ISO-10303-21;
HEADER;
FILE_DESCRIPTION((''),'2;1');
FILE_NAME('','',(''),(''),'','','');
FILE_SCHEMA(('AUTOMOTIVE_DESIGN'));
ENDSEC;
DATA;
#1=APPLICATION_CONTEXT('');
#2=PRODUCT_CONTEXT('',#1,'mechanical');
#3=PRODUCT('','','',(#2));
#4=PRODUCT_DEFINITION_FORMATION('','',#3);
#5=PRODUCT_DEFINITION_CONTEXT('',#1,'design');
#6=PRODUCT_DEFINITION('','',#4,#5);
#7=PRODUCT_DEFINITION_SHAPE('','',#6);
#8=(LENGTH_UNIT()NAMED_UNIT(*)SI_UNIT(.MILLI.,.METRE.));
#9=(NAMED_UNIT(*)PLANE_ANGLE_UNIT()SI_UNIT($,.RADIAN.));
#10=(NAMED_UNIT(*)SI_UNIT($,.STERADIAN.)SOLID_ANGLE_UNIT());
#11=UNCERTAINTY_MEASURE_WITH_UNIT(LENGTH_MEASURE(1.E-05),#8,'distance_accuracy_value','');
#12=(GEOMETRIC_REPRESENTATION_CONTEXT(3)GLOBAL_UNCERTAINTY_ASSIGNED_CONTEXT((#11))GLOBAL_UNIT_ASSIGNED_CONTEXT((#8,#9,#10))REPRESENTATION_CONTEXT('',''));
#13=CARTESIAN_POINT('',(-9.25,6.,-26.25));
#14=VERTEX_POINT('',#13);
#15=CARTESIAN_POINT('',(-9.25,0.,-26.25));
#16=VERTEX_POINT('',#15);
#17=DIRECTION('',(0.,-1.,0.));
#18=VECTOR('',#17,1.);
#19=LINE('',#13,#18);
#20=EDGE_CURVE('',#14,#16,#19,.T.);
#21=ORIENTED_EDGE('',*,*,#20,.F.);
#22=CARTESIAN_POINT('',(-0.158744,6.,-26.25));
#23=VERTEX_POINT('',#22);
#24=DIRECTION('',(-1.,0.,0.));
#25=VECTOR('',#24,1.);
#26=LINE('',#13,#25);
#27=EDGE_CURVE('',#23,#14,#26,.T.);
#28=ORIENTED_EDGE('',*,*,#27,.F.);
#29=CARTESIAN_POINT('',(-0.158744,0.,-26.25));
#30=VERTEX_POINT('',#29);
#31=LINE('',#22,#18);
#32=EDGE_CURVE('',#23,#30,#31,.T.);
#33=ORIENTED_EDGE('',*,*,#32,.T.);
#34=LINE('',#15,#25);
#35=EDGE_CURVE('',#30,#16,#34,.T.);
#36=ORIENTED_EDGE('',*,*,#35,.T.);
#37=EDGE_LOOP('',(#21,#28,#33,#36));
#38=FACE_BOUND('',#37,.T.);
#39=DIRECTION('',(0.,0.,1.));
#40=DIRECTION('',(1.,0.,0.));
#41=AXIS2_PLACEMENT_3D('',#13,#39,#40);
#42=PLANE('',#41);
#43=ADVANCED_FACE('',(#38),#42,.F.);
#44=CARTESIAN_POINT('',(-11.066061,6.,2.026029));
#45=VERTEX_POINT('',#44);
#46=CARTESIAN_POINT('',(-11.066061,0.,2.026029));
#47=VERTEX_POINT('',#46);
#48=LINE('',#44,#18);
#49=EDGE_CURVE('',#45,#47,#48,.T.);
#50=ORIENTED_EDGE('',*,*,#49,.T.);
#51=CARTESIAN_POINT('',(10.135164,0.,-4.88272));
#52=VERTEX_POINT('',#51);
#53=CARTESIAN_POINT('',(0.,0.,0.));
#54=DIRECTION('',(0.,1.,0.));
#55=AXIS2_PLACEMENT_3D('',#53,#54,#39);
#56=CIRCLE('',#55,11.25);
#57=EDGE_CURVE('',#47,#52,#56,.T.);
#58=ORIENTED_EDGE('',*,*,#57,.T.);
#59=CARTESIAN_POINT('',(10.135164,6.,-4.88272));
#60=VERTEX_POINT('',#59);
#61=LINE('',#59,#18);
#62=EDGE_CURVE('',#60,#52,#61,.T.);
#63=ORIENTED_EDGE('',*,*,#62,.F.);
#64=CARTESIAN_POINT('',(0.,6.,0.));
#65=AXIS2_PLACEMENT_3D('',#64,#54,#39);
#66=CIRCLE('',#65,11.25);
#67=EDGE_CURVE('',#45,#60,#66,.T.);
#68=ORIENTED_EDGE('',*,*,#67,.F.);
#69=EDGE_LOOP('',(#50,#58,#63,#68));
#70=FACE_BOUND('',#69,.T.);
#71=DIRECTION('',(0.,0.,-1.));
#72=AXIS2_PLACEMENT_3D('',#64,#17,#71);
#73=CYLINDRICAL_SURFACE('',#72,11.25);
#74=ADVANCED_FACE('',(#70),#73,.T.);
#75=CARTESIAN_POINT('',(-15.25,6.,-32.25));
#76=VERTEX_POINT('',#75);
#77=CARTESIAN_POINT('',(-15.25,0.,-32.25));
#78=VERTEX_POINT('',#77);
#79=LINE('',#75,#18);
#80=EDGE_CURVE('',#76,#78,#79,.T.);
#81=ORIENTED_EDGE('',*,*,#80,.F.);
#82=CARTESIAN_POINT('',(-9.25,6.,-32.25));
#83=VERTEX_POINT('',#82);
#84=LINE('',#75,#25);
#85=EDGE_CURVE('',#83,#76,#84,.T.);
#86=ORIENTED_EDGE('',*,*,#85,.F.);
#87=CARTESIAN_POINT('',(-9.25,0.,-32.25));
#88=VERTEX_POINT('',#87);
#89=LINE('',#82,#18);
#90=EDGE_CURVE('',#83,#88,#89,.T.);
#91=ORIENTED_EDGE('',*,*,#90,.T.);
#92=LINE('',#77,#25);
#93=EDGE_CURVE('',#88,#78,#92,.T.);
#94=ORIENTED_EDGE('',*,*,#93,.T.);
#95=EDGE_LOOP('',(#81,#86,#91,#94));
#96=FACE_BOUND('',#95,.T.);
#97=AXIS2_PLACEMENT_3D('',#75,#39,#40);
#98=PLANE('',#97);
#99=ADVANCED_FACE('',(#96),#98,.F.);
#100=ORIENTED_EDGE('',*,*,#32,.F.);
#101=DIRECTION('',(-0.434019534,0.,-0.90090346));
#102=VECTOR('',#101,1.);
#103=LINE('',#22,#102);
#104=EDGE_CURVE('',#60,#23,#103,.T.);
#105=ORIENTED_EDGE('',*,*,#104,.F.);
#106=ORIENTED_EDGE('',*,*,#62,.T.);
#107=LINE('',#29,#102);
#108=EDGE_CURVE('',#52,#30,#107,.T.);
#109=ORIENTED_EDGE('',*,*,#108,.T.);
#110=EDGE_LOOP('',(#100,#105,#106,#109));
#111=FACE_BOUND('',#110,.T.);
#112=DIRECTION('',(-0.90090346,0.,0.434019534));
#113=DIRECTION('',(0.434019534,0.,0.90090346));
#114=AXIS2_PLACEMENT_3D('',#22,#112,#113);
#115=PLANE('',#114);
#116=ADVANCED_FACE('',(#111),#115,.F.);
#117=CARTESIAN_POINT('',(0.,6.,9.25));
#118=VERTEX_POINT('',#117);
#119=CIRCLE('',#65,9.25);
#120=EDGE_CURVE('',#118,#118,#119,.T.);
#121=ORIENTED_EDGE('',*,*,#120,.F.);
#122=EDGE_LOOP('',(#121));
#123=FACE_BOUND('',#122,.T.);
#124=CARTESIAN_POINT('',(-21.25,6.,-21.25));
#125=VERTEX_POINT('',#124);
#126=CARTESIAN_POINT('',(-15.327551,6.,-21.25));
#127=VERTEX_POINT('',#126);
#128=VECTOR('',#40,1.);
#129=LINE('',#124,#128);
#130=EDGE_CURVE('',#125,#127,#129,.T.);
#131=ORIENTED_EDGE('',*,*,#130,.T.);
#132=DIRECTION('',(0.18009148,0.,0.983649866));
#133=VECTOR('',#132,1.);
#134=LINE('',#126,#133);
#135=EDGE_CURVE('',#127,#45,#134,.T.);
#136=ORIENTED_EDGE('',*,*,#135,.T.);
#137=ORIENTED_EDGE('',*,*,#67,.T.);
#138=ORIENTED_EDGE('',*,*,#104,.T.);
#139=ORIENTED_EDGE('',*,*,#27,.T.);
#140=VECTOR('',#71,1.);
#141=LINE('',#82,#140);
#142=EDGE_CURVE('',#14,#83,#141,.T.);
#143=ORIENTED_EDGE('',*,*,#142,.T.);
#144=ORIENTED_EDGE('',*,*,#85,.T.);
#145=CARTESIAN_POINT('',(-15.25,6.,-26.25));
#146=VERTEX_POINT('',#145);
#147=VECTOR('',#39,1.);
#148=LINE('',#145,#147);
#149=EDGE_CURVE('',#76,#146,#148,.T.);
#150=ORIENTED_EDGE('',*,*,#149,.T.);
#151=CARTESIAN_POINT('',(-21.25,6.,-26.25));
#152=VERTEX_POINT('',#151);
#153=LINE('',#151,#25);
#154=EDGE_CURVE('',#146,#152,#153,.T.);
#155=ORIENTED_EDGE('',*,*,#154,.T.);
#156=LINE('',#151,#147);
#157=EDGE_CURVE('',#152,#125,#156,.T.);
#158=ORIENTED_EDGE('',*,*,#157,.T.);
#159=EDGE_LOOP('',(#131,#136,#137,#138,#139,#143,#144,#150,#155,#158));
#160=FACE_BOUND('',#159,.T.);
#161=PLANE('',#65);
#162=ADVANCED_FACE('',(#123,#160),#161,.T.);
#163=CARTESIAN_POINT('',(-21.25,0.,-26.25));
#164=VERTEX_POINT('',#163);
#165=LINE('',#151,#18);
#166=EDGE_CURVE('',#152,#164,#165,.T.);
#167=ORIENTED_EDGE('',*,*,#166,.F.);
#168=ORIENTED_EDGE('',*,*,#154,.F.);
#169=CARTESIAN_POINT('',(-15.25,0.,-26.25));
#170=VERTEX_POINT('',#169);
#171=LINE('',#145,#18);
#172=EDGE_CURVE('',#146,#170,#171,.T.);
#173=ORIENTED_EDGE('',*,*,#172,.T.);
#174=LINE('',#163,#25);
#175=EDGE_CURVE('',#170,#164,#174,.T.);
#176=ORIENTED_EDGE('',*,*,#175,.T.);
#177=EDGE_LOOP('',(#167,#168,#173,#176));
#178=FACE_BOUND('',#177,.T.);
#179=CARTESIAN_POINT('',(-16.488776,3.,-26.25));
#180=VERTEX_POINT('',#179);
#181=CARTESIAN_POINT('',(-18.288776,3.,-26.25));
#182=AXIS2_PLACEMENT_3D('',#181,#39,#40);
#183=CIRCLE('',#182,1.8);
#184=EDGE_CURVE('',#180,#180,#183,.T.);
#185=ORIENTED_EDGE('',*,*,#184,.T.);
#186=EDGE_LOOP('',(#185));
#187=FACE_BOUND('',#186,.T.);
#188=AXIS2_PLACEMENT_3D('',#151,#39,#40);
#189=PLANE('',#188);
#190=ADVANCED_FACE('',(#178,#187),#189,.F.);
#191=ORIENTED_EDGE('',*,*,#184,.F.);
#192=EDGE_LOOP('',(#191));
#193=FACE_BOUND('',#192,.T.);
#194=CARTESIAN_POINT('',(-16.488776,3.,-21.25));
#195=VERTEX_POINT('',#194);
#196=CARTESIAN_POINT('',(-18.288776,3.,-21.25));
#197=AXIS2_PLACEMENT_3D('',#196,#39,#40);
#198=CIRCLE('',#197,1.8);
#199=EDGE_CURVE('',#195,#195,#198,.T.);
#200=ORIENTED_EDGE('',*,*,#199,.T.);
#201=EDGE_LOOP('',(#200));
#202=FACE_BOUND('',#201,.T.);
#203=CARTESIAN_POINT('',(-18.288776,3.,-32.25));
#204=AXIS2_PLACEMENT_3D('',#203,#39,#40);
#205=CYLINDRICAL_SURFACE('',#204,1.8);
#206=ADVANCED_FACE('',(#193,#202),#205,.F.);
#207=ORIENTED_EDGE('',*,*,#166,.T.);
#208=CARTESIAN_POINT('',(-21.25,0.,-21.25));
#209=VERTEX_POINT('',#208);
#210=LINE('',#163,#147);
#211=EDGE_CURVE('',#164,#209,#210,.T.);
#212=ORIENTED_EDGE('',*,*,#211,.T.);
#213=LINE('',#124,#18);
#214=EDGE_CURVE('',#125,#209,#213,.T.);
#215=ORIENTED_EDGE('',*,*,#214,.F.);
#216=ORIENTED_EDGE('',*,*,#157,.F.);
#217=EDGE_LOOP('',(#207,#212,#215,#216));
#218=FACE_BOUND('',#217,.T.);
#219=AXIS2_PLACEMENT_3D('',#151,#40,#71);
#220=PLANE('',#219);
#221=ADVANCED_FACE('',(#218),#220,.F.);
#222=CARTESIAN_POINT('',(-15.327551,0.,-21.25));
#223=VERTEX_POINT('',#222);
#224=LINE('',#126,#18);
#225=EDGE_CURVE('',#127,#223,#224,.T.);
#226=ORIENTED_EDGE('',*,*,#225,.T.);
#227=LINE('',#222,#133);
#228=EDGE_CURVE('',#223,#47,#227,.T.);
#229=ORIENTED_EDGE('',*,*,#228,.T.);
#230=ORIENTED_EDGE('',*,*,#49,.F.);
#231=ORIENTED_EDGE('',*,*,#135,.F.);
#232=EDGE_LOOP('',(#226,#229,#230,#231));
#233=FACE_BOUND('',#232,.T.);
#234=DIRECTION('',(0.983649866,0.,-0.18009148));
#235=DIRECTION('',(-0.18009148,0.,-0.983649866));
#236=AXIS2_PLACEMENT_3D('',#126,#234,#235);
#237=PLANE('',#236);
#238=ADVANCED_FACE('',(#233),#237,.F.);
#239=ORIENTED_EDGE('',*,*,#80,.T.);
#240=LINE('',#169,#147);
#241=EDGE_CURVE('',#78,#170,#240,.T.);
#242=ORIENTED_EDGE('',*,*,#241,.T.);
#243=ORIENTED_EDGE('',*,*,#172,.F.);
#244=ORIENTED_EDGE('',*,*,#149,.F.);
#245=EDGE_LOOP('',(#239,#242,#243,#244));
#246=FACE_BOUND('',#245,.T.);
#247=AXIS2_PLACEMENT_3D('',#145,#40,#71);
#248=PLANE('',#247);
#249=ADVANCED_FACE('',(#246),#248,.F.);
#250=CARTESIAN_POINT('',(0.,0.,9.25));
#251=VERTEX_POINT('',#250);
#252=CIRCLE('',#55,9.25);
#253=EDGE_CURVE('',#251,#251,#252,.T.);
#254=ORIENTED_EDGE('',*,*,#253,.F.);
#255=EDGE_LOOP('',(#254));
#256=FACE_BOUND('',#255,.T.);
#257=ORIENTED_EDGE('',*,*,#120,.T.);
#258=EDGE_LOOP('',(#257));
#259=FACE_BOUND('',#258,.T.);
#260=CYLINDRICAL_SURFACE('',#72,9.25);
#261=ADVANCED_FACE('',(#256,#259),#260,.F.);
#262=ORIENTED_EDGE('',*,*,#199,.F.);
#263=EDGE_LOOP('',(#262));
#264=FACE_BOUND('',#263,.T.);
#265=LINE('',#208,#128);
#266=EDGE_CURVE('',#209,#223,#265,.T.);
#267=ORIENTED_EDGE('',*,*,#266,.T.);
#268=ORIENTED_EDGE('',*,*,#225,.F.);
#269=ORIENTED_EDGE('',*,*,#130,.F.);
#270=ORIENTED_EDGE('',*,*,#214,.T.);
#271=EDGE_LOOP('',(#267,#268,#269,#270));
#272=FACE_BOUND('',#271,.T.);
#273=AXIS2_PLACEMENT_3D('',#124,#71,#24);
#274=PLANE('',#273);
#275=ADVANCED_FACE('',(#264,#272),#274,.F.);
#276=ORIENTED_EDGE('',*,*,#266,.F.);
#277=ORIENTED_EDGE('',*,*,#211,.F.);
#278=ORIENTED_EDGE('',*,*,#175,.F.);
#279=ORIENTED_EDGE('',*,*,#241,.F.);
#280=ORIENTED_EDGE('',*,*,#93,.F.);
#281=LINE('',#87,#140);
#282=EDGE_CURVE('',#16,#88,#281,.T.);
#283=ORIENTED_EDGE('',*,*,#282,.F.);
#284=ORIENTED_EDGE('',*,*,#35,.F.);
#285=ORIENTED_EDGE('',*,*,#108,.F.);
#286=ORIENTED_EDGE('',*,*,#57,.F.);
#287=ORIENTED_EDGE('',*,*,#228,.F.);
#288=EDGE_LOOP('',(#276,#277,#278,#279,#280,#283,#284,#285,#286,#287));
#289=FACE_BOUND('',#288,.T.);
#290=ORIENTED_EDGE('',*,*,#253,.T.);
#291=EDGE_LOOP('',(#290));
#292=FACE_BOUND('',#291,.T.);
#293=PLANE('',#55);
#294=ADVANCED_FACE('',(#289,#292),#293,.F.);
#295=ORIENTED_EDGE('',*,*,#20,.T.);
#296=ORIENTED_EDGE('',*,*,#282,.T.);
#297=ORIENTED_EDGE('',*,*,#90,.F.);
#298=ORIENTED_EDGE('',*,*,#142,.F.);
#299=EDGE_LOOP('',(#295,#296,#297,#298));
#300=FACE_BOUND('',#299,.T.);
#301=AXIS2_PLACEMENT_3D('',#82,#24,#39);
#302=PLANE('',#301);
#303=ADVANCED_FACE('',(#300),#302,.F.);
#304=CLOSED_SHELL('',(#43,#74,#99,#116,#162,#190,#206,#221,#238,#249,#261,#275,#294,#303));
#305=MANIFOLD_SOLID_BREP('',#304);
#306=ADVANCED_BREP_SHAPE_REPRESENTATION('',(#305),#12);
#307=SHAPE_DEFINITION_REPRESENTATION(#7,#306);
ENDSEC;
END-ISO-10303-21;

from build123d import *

# Parameters (mm, degrees)
SKETCH1_R           = 9.25
BOSS_EXTRUDE1_DEPTH = 6
SKETCH2_R           = 1.8
CUT_EXTRUDE1_DEPTH  = 12


with BuildPart() as part:
    # Sketch1 → Boss-Extrude1 (new body)
    with BuildSketch(Plane(origin=(0, 0, 0), x_dir=(1, 0, 0), z_dir=(0, 1, 0))):
        with BuildLine():
            Line((-21.25, 26.25), (-15.25, 26.25))
            Line((-15.25, 26.25), (-15.25, 32.25))
            Line((-15.25, 32.25), (-9.25, 32.25))
            Line((-9.25, 32.25), (-9.25, 26.25))
            Line((-9.25, 26.25), (-0.158743734, 26.25))
            Line((-0.158743734, 26.25), (10.135163922, 4.882719763))
            ThreePointArc((10.135163922, 4.882719763), (3.485591088, -10.696408499), (-11.066060992, -2.026029152))
            Line((-11.066060992, -2.026029152), (-15.327551476, 21.25))
            Line((-15.327551476, 21.25), (-21.25, 21.25))
            Line((-21.25, 21.25), (-21.25, 26.25))
        make_face()
        Circle(SKETCH1_R, mode=Mode.SUBTRACT)
    extrude(amount=BOSS_EXTRUDE1_DEPTH)

    # Sketch2 → Cut-Extrude1 (cut, through all)
    with BuildSketch(Plane.XY.offset(-21.25)):
        with Locations((-18.288775738, 3)):
            Circle(SKETCH2_R)
    extrude(amount=-CUT_EXTRUDE1_DEPTH, mode=Mode.SUBTRACT)


solid = part.part
